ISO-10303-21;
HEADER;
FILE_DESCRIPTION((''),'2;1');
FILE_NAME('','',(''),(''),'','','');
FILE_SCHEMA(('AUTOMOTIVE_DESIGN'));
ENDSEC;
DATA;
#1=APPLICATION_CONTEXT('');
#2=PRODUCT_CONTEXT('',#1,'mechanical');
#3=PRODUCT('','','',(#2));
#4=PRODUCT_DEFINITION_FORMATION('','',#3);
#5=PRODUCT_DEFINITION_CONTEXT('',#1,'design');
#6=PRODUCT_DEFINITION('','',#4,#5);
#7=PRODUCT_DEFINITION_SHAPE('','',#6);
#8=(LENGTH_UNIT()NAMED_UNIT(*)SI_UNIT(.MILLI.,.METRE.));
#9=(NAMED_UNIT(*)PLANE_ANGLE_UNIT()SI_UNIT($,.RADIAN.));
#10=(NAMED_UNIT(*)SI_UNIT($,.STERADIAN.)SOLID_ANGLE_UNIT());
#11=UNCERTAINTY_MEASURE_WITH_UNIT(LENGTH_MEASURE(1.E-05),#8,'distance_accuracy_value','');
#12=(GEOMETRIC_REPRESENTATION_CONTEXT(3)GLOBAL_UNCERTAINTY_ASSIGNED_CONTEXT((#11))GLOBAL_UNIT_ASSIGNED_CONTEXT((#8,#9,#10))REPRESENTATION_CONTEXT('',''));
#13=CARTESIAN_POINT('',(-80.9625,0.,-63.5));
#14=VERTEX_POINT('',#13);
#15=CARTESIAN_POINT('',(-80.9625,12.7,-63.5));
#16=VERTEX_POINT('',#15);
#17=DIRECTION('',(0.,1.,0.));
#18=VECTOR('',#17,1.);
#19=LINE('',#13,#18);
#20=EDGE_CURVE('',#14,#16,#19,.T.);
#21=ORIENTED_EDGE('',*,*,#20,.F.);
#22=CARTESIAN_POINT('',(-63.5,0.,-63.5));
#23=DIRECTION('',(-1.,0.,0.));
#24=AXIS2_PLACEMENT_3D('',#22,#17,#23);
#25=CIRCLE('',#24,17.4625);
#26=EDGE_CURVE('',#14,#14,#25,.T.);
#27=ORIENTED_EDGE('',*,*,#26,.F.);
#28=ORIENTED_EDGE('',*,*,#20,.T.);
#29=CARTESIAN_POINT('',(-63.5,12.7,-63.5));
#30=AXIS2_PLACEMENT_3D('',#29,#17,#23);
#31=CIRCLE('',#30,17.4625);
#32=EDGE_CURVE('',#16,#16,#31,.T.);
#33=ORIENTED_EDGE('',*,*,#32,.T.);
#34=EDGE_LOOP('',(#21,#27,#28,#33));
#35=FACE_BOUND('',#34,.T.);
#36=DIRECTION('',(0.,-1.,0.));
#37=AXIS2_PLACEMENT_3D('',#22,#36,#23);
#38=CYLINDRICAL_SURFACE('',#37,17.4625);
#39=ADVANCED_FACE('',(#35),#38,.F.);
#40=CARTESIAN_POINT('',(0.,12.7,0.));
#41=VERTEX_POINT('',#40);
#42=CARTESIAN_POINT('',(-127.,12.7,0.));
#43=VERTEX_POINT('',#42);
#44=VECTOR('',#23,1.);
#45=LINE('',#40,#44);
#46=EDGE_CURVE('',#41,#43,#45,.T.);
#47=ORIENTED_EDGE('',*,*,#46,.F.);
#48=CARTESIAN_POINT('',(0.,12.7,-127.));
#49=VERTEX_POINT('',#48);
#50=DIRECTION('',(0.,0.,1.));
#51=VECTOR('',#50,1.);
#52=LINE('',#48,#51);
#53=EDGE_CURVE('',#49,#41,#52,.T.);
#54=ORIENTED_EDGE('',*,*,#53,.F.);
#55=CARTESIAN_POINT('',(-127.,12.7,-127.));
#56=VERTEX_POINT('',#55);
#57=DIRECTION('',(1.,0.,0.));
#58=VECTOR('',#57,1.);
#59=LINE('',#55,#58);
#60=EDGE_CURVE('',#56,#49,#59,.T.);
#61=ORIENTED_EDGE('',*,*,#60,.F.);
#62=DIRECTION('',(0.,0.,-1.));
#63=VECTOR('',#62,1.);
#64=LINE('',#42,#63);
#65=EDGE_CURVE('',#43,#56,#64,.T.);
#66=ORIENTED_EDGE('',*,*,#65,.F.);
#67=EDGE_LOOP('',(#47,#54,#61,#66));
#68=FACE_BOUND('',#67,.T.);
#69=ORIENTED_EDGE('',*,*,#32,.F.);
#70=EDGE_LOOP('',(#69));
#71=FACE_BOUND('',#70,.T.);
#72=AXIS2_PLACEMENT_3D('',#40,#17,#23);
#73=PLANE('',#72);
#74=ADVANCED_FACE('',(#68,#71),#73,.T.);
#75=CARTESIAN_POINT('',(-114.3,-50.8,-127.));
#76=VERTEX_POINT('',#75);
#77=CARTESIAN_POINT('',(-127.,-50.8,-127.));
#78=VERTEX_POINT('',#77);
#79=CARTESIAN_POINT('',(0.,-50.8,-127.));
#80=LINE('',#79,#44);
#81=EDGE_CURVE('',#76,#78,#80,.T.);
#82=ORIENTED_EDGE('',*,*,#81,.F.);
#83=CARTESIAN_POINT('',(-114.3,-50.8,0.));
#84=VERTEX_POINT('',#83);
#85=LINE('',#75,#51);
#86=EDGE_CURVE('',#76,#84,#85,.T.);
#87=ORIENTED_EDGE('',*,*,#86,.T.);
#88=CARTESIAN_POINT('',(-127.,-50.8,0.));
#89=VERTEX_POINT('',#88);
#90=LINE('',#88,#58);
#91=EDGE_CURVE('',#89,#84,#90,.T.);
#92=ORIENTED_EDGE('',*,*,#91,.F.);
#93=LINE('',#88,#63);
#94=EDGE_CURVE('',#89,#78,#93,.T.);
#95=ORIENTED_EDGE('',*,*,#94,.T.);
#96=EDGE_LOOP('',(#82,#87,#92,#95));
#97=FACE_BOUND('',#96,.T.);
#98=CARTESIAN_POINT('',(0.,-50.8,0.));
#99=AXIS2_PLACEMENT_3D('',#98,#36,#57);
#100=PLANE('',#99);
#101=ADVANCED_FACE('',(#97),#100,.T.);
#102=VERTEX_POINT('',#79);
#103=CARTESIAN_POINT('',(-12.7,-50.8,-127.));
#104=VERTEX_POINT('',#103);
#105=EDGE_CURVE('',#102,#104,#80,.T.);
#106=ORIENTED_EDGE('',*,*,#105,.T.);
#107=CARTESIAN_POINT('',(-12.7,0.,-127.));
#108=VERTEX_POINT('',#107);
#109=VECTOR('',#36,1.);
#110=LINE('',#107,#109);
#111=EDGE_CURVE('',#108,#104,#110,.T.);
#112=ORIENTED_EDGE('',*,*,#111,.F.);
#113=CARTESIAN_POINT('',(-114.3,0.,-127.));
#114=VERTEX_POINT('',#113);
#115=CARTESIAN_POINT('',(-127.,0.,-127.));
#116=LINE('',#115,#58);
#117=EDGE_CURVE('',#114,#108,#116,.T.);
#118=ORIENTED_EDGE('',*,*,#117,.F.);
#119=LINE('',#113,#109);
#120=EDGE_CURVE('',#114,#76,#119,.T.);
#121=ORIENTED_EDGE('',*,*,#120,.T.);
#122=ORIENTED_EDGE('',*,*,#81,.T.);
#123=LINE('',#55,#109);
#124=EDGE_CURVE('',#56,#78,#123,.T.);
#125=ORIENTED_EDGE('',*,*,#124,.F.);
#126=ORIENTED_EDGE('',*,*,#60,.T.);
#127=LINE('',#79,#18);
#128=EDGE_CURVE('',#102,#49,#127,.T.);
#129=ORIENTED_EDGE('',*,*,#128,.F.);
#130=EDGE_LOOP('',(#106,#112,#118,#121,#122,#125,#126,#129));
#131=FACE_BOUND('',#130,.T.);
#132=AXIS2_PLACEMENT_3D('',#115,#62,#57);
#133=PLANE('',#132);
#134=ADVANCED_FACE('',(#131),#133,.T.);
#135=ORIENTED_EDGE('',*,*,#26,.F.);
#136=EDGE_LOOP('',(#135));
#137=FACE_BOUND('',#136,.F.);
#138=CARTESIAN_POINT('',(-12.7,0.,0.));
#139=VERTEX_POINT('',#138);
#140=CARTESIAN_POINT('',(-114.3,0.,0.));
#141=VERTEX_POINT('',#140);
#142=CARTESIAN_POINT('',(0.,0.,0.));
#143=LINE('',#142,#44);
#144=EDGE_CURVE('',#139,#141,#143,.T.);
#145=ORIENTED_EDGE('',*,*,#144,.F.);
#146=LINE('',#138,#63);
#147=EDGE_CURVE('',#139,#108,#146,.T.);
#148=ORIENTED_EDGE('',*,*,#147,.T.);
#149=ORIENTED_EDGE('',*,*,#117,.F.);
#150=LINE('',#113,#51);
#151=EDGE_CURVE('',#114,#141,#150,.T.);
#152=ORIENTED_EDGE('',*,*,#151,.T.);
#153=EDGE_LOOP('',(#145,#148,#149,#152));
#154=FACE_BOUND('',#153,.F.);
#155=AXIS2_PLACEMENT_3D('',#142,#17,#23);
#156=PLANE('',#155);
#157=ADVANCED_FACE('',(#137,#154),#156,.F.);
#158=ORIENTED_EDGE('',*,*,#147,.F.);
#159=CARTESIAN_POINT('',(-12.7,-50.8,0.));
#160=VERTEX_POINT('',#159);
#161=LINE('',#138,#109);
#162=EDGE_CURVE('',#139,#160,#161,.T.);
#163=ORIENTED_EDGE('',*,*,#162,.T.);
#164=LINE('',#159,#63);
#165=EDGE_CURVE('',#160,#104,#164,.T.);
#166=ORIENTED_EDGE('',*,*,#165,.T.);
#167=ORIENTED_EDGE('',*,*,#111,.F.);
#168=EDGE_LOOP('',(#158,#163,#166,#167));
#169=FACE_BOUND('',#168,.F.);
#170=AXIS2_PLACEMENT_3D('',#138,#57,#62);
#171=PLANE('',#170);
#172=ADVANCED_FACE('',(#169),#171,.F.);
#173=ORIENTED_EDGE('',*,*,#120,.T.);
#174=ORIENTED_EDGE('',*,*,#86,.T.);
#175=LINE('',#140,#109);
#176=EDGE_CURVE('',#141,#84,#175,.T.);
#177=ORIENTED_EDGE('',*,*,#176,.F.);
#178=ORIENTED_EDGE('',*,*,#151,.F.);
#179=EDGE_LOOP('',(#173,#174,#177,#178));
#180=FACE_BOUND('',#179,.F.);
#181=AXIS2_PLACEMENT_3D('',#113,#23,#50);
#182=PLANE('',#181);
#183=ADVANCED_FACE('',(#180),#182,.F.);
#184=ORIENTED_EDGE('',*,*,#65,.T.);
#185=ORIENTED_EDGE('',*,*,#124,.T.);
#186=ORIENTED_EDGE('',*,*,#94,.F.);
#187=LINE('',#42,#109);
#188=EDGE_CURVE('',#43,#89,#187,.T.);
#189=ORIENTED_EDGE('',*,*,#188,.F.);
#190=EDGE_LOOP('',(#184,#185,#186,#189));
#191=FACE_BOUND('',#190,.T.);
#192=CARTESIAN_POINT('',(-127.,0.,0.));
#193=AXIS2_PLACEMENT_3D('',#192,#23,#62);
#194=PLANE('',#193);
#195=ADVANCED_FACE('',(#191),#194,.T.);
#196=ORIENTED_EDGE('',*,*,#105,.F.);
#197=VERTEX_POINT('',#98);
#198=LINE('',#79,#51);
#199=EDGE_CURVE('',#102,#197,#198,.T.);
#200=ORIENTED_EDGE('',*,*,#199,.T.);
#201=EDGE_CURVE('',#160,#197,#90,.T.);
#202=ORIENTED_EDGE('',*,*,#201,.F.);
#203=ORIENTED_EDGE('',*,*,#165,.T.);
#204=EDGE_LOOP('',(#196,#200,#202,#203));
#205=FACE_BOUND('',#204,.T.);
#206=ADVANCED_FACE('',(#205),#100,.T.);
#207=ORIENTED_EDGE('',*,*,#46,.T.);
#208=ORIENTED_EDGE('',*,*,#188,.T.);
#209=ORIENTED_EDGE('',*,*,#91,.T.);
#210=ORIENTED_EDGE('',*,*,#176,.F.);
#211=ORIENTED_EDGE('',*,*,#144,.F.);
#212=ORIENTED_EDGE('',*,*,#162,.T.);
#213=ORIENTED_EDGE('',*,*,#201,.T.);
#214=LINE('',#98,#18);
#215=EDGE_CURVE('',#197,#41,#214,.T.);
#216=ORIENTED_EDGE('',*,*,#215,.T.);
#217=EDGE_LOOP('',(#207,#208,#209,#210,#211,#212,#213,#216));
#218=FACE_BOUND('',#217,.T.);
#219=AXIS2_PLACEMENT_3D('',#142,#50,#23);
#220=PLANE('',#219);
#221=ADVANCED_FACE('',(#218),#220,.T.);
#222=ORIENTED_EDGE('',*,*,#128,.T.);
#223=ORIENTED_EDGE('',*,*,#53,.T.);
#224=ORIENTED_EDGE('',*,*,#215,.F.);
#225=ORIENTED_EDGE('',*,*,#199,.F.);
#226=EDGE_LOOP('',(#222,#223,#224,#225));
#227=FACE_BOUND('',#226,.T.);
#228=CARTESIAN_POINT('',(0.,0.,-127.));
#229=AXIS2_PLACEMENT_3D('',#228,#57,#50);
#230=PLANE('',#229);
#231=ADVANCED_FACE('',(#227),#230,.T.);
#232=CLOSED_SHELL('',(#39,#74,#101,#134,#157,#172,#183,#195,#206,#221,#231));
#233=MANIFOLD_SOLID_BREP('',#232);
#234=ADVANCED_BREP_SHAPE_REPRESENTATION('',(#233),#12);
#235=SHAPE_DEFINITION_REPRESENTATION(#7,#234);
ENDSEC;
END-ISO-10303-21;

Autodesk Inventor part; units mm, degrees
ref_plane "YZ Plane" through (0, 0, 0) normal (1, 0, 0) x (0, 1, 0)
ref_plane "XZ Plane" through (0, 0, 0) normal (0, 1, 0) x (-1, 0, 0)
ref_plane "XY Plane" through (0, 0, 0) normal (0, 0, 1) x (1, 0, 0)
sketch "Sketch1" plane through (0, 0, 0) normal (0, 1, 0) x (-1, 0, 0)
  line L0 (0, 0) -> (127, 0)
  line L1 (127, 0) -> (127, -127)
  line L2 (127, -127) -> (0, -127)
  line L3 (0, -127) -> (0, 0)
  circle A0 centre (63.5, -63.5) radius 17.4625
  dimension "d0" = 127
  dimension "d1" = 127
  dimension "d2" = 34.925
extrude "Extrusion1" add sketch "Sketch1" along normal blind 12.7
sketch "Sketch2" plane through (0, 0, 0) normal (0, -1, 0) x (1, 0, 0)
  line L0 (0, -127) -> (-127, -127) projected
  line L1 (-114.3, -127) -> (-114.3, 0)
  line L2 (-127, 0) -> (0, 0) projected
  line L3 (-12.7, 0) -> (-12.7, -127)
  line L4 (-127, 0) -> (-127, -127) projected
  line L5 (0, -127) -> (0, 0) projected
  dimension "d5" = 12.7
  dimension "d6" = 12.7
extrude "Extrusion2" add sketch "Sketch2" along normal blind 50.8 contours L0 L3 L2 L5 | L0 L4 L2 L1
equation "\"d1\" = d0"
properties part number "base"
